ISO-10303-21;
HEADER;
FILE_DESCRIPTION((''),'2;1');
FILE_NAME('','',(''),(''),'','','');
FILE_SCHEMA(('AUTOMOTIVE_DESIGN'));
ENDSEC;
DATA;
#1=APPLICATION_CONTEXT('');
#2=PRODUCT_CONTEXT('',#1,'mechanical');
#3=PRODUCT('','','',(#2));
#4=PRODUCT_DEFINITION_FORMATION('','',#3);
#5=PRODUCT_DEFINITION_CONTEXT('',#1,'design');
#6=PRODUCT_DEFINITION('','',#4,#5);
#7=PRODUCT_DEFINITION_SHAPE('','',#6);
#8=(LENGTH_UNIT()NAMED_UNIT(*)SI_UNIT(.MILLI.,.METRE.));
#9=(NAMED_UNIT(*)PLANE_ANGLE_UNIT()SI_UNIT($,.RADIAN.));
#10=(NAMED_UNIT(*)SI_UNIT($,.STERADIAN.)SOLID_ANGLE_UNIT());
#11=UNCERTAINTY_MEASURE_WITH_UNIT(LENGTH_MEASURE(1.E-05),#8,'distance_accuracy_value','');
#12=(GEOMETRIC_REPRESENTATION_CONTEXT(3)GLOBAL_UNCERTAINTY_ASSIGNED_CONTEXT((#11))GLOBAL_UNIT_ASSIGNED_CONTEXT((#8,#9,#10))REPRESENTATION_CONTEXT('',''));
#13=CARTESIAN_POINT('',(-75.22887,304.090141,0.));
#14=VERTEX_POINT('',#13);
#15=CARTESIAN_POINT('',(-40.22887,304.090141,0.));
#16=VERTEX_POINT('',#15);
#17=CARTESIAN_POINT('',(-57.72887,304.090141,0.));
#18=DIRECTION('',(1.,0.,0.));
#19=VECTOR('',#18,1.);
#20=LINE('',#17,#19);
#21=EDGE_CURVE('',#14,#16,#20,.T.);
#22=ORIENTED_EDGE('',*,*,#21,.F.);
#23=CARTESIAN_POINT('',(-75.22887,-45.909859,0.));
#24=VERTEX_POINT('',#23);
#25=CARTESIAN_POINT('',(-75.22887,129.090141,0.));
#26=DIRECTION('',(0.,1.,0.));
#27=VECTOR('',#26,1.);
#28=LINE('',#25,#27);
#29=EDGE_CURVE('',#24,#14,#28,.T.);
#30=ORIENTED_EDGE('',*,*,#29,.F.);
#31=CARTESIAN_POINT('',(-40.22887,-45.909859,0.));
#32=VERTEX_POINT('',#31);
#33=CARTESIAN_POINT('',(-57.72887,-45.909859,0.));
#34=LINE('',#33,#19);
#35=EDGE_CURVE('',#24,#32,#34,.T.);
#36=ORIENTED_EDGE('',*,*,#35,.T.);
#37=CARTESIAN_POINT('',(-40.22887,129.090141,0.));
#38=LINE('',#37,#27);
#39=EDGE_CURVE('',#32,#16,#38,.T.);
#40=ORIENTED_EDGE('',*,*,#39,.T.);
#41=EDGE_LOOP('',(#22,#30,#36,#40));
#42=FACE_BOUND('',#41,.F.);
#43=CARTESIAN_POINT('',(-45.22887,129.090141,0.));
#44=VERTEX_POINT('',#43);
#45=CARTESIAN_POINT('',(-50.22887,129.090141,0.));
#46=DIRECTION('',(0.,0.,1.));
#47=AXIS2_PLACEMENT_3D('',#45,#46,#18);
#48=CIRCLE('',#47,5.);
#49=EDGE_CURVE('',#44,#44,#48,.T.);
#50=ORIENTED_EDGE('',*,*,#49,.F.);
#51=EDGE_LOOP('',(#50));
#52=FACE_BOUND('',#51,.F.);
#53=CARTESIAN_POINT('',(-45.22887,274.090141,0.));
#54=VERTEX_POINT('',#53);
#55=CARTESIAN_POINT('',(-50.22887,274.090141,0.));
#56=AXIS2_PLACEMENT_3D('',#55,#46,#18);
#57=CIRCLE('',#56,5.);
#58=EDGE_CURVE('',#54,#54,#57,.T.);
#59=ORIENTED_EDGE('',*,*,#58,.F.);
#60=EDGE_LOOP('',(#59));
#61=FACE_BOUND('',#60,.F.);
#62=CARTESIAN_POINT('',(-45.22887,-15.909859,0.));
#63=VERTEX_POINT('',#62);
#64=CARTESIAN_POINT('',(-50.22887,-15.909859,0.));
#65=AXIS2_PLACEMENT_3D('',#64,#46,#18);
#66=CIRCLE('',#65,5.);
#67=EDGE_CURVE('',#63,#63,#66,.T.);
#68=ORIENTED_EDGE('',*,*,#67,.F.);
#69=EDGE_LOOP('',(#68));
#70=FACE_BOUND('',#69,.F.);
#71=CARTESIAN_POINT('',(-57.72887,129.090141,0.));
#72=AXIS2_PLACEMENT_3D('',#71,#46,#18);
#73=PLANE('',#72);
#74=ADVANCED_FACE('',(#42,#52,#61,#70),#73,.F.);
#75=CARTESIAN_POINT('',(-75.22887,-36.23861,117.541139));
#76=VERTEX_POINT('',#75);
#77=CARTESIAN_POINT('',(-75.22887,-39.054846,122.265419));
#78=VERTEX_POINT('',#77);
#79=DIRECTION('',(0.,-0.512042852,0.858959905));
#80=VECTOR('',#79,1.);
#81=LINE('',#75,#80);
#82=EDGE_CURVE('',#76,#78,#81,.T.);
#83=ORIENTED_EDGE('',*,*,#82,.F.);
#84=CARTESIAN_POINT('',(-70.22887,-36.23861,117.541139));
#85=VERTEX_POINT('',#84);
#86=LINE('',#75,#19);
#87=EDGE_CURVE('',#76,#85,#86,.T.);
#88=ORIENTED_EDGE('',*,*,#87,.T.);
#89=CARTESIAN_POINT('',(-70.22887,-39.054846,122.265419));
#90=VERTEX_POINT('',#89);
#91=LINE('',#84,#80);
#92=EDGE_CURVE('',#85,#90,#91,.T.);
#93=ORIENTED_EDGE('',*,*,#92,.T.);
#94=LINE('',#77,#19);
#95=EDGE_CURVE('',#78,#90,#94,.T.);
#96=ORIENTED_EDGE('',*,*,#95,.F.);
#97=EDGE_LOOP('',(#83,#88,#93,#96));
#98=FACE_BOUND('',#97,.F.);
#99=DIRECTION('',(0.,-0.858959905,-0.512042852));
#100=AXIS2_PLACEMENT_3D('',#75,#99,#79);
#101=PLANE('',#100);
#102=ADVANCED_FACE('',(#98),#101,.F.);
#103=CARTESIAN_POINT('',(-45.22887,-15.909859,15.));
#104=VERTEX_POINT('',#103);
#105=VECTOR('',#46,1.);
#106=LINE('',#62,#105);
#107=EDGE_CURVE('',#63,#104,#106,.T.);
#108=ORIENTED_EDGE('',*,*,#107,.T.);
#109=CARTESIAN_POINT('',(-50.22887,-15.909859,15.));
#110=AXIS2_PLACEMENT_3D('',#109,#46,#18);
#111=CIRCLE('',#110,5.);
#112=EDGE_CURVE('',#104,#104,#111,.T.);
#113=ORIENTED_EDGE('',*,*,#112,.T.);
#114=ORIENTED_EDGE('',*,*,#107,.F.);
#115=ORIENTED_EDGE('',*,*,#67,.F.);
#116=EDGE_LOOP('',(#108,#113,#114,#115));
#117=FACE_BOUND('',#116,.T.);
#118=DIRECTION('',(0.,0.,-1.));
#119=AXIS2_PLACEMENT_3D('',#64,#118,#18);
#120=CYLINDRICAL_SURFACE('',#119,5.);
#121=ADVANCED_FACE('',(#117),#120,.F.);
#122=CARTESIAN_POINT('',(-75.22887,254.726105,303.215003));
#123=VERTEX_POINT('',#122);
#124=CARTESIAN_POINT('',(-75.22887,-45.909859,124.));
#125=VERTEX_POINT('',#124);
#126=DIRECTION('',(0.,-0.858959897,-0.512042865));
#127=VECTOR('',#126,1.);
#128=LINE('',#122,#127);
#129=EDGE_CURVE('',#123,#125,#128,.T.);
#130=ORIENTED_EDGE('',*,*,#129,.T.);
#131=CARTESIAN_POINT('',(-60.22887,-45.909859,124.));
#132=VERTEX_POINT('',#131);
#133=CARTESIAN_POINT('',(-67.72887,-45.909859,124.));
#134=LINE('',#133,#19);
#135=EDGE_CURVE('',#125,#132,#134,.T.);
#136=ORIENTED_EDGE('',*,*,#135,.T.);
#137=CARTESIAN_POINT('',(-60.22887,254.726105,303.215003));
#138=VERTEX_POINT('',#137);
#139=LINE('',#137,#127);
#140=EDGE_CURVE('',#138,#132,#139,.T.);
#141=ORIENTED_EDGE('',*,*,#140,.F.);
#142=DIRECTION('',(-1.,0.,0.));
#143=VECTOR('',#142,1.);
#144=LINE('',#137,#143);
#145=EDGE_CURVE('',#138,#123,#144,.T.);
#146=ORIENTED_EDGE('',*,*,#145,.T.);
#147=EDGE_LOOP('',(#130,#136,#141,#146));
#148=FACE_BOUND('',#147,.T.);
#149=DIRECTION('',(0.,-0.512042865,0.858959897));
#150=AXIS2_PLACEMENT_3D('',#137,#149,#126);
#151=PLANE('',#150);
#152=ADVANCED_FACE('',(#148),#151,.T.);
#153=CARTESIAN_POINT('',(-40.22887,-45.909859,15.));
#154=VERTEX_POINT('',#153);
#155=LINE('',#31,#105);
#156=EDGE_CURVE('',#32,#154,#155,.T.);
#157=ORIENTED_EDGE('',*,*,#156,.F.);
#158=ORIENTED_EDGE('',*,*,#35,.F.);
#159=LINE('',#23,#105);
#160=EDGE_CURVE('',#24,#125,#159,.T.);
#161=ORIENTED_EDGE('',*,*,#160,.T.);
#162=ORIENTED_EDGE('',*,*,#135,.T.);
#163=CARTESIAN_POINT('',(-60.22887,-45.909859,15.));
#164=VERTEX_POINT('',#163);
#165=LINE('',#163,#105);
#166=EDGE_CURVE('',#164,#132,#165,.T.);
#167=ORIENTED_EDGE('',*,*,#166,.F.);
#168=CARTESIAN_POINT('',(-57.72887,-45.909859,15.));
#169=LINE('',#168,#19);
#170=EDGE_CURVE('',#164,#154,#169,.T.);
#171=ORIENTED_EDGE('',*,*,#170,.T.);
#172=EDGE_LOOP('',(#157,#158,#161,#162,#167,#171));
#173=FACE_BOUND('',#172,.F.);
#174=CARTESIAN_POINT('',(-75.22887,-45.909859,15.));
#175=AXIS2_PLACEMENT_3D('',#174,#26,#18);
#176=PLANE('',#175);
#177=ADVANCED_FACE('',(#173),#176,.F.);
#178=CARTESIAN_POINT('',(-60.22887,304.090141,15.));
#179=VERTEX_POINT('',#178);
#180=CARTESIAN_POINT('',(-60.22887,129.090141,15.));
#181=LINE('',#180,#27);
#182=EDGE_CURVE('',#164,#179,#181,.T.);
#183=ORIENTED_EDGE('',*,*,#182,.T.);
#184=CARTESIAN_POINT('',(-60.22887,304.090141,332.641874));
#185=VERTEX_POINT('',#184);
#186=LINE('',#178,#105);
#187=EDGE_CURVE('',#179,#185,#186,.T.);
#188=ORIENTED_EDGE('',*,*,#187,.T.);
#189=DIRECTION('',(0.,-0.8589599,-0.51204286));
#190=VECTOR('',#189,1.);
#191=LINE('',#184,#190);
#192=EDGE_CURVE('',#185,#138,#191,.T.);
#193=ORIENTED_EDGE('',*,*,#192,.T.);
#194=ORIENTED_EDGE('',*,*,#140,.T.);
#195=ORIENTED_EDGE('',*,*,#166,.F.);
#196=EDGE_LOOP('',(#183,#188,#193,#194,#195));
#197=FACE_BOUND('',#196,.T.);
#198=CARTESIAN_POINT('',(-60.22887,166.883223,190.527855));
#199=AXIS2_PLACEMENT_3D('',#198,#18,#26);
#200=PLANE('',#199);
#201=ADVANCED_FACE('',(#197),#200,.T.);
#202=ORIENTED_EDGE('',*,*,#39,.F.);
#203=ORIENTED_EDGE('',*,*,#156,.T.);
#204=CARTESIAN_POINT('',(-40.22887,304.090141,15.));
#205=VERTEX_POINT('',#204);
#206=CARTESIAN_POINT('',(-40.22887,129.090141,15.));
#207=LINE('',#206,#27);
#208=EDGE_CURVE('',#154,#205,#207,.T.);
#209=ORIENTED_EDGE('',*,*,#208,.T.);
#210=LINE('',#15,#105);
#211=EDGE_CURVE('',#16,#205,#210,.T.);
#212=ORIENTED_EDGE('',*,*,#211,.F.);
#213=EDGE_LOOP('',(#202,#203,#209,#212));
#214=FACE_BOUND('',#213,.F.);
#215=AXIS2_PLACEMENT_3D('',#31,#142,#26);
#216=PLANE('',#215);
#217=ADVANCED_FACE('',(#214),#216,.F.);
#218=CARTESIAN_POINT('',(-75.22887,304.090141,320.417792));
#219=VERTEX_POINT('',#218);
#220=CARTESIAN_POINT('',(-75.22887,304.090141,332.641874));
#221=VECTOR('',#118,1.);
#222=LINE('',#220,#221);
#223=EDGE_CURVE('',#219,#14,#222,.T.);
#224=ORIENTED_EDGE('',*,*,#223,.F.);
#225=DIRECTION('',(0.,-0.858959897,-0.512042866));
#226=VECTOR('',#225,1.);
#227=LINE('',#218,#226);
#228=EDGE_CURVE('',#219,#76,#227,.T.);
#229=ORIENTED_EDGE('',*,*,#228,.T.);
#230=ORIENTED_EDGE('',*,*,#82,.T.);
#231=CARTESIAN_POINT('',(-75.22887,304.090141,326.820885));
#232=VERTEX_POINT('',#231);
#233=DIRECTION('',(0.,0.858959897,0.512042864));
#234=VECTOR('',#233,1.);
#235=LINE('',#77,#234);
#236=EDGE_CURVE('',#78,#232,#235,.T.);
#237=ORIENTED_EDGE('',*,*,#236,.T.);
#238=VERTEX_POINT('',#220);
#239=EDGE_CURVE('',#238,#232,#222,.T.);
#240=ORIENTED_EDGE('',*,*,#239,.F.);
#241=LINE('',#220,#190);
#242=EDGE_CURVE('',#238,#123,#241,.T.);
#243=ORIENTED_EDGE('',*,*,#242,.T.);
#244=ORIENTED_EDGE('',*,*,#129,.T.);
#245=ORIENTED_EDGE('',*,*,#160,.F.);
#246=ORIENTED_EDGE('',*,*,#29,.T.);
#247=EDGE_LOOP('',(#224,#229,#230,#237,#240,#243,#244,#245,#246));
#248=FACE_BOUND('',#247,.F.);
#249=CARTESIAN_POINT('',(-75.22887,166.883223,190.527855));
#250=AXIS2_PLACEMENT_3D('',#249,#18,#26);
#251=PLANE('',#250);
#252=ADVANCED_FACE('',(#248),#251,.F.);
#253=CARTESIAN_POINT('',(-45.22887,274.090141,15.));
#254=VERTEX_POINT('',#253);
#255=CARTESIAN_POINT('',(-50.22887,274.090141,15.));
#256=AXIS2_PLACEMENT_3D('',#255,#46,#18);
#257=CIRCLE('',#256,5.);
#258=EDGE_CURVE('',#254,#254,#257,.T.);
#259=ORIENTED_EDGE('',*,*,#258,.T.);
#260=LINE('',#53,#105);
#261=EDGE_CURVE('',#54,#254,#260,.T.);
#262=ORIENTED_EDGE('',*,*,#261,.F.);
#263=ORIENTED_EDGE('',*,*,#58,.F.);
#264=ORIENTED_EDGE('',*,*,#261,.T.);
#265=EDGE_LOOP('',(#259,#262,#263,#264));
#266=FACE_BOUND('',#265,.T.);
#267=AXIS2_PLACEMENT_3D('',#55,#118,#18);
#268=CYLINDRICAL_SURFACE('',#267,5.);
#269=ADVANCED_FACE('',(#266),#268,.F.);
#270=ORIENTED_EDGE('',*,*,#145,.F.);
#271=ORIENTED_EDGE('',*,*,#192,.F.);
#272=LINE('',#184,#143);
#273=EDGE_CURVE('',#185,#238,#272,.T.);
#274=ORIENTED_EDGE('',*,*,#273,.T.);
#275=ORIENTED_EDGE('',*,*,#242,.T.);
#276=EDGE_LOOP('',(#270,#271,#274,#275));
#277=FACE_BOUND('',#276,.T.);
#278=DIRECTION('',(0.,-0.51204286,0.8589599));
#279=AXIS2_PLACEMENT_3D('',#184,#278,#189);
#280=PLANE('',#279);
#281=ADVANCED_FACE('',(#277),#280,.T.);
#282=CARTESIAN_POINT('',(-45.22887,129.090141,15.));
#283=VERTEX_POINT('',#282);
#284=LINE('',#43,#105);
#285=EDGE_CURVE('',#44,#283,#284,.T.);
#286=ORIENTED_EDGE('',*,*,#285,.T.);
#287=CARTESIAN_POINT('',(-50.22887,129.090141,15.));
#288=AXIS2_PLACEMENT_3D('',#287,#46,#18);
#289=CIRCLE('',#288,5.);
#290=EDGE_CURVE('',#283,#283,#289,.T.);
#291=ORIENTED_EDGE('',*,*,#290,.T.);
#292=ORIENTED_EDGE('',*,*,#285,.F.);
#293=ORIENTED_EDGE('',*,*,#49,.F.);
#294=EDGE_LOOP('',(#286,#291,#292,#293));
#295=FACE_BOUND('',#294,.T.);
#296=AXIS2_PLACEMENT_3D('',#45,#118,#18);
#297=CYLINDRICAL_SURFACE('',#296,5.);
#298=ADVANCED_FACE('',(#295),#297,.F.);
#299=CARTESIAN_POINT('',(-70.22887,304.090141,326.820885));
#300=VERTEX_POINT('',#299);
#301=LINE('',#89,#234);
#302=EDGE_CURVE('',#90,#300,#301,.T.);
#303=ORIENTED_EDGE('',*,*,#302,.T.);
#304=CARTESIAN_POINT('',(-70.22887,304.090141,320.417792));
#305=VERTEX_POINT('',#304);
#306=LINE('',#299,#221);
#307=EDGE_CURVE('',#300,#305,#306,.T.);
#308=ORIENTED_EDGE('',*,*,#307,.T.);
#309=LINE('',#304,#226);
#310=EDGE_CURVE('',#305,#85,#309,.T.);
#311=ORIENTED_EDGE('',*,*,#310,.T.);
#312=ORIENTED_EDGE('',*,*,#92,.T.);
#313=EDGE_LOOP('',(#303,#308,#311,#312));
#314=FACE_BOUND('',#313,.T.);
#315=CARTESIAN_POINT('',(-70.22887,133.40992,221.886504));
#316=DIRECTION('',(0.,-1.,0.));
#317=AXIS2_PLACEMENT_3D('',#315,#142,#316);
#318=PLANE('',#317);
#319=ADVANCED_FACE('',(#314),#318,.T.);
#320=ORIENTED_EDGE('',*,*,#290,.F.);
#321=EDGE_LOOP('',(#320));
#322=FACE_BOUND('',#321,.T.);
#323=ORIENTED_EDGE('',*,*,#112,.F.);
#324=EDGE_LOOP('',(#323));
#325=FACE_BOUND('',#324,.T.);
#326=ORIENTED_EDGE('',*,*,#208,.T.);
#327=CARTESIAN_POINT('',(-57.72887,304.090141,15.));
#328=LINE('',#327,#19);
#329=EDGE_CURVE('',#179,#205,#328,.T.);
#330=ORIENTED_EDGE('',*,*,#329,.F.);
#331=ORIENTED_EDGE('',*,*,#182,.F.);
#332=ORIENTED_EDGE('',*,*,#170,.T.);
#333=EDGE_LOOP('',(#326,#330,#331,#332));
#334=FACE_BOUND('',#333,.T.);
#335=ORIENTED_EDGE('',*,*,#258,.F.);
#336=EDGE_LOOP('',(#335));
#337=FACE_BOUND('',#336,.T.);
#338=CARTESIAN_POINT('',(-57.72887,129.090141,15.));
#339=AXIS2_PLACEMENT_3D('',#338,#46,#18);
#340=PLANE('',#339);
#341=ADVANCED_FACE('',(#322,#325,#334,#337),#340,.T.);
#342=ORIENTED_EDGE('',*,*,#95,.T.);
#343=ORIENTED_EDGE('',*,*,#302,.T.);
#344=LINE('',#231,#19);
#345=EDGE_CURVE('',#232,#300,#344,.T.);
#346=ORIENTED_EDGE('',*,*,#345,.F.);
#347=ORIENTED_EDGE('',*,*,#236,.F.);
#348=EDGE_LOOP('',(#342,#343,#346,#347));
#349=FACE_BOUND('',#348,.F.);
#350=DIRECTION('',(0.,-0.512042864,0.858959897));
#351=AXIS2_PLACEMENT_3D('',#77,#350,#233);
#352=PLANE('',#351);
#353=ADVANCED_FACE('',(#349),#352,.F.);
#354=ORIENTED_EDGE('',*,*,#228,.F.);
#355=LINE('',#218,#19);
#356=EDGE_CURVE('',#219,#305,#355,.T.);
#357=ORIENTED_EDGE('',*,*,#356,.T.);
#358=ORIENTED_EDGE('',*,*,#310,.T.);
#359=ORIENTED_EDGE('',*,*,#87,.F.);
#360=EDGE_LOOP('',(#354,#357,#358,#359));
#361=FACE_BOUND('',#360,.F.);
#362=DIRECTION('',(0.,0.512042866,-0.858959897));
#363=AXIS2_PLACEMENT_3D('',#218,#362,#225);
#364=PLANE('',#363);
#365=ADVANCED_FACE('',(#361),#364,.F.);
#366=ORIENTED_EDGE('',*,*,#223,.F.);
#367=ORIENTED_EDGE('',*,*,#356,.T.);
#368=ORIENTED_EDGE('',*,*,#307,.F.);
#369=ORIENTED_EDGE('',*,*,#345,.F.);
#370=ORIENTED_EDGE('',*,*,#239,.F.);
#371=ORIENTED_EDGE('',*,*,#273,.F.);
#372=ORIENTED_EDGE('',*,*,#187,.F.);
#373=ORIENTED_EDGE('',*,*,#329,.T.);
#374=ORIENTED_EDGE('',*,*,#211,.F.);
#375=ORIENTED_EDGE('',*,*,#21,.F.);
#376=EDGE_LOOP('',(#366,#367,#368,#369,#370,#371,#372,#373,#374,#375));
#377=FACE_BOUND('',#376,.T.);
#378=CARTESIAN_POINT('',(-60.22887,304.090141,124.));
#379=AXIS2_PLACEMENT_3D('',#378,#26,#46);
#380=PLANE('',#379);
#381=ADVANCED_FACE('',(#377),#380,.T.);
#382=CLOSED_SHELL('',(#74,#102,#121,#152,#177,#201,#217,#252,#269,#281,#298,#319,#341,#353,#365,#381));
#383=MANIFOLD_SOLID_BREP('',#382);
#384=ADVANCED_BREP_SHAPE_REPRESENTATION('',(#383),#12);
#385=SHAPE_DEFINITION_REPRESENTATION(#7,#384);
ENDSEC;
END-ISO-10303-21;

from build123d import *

# Parameters (mm, degrees)
F0_W     = 35
F0_H     = 350
F0_R     = 5
F1_DEPTH = 15
F2_W     = 15
F2_H     = 350
F3_DEPTH = 109
F5_DEPTH = 15
F7_DEPTH = 5


with BuildPart() as f1:
    # F0 (on Top) → F1 (new body)
    with BuildSketch(Plane.XY):
        with Locations((-57.72887, 129.090141)):
            Rectangle(F0_W, F0_H)
        with Locations((-50.22887, -15.909859)):
            Circle(F0_R, mode=Mode.SUBTRACT)
        with Locations((-50.22887, 129.090141)):
            Circle(F0_R, mode=Mode.SUBTRACT)
        with Locations((-50.22887, 274.090141)):
            Circle(F0_R, mode=Mode.SUBTRACT)
    extrude(amount=F1_DEPTH)

    # F2 (on face) → F3 (join)
    with BuildSketch(Plane.XY.offset(15)):
        with Locations((-67.72887, 129.090141)):
            Rectangle(F2_W, F2_H)
    extrude(amount=F3_DEPTH)

    # F4 (on face) → F5 (join)
    with BuildSketch(Plane.YZ.offset(-60.22887)):
        Polygon((254.726105, 303.215003), (-45.909859, 124), (304.090141, 124), (304.090141, 332.641874), align=None)
    extrude(amount=-F5_DEPTH)

    # F6 (on face) → F7 (cut)
    with BuildSketch(Plane(origin=(-75.22887, 0, 0), x_dir=(0, -1, 0), z_dir=(-1, 0, 0))):
        Polygon((36.23861, 117.541139), (39.054846, 122.265419), (-304.090141, 326.820885), (-304.090141, 320.417792), align=None)
    extrude(amount=-F7_DEPTH, mode=Mode.SUBTRACT)


solid = f1.part
